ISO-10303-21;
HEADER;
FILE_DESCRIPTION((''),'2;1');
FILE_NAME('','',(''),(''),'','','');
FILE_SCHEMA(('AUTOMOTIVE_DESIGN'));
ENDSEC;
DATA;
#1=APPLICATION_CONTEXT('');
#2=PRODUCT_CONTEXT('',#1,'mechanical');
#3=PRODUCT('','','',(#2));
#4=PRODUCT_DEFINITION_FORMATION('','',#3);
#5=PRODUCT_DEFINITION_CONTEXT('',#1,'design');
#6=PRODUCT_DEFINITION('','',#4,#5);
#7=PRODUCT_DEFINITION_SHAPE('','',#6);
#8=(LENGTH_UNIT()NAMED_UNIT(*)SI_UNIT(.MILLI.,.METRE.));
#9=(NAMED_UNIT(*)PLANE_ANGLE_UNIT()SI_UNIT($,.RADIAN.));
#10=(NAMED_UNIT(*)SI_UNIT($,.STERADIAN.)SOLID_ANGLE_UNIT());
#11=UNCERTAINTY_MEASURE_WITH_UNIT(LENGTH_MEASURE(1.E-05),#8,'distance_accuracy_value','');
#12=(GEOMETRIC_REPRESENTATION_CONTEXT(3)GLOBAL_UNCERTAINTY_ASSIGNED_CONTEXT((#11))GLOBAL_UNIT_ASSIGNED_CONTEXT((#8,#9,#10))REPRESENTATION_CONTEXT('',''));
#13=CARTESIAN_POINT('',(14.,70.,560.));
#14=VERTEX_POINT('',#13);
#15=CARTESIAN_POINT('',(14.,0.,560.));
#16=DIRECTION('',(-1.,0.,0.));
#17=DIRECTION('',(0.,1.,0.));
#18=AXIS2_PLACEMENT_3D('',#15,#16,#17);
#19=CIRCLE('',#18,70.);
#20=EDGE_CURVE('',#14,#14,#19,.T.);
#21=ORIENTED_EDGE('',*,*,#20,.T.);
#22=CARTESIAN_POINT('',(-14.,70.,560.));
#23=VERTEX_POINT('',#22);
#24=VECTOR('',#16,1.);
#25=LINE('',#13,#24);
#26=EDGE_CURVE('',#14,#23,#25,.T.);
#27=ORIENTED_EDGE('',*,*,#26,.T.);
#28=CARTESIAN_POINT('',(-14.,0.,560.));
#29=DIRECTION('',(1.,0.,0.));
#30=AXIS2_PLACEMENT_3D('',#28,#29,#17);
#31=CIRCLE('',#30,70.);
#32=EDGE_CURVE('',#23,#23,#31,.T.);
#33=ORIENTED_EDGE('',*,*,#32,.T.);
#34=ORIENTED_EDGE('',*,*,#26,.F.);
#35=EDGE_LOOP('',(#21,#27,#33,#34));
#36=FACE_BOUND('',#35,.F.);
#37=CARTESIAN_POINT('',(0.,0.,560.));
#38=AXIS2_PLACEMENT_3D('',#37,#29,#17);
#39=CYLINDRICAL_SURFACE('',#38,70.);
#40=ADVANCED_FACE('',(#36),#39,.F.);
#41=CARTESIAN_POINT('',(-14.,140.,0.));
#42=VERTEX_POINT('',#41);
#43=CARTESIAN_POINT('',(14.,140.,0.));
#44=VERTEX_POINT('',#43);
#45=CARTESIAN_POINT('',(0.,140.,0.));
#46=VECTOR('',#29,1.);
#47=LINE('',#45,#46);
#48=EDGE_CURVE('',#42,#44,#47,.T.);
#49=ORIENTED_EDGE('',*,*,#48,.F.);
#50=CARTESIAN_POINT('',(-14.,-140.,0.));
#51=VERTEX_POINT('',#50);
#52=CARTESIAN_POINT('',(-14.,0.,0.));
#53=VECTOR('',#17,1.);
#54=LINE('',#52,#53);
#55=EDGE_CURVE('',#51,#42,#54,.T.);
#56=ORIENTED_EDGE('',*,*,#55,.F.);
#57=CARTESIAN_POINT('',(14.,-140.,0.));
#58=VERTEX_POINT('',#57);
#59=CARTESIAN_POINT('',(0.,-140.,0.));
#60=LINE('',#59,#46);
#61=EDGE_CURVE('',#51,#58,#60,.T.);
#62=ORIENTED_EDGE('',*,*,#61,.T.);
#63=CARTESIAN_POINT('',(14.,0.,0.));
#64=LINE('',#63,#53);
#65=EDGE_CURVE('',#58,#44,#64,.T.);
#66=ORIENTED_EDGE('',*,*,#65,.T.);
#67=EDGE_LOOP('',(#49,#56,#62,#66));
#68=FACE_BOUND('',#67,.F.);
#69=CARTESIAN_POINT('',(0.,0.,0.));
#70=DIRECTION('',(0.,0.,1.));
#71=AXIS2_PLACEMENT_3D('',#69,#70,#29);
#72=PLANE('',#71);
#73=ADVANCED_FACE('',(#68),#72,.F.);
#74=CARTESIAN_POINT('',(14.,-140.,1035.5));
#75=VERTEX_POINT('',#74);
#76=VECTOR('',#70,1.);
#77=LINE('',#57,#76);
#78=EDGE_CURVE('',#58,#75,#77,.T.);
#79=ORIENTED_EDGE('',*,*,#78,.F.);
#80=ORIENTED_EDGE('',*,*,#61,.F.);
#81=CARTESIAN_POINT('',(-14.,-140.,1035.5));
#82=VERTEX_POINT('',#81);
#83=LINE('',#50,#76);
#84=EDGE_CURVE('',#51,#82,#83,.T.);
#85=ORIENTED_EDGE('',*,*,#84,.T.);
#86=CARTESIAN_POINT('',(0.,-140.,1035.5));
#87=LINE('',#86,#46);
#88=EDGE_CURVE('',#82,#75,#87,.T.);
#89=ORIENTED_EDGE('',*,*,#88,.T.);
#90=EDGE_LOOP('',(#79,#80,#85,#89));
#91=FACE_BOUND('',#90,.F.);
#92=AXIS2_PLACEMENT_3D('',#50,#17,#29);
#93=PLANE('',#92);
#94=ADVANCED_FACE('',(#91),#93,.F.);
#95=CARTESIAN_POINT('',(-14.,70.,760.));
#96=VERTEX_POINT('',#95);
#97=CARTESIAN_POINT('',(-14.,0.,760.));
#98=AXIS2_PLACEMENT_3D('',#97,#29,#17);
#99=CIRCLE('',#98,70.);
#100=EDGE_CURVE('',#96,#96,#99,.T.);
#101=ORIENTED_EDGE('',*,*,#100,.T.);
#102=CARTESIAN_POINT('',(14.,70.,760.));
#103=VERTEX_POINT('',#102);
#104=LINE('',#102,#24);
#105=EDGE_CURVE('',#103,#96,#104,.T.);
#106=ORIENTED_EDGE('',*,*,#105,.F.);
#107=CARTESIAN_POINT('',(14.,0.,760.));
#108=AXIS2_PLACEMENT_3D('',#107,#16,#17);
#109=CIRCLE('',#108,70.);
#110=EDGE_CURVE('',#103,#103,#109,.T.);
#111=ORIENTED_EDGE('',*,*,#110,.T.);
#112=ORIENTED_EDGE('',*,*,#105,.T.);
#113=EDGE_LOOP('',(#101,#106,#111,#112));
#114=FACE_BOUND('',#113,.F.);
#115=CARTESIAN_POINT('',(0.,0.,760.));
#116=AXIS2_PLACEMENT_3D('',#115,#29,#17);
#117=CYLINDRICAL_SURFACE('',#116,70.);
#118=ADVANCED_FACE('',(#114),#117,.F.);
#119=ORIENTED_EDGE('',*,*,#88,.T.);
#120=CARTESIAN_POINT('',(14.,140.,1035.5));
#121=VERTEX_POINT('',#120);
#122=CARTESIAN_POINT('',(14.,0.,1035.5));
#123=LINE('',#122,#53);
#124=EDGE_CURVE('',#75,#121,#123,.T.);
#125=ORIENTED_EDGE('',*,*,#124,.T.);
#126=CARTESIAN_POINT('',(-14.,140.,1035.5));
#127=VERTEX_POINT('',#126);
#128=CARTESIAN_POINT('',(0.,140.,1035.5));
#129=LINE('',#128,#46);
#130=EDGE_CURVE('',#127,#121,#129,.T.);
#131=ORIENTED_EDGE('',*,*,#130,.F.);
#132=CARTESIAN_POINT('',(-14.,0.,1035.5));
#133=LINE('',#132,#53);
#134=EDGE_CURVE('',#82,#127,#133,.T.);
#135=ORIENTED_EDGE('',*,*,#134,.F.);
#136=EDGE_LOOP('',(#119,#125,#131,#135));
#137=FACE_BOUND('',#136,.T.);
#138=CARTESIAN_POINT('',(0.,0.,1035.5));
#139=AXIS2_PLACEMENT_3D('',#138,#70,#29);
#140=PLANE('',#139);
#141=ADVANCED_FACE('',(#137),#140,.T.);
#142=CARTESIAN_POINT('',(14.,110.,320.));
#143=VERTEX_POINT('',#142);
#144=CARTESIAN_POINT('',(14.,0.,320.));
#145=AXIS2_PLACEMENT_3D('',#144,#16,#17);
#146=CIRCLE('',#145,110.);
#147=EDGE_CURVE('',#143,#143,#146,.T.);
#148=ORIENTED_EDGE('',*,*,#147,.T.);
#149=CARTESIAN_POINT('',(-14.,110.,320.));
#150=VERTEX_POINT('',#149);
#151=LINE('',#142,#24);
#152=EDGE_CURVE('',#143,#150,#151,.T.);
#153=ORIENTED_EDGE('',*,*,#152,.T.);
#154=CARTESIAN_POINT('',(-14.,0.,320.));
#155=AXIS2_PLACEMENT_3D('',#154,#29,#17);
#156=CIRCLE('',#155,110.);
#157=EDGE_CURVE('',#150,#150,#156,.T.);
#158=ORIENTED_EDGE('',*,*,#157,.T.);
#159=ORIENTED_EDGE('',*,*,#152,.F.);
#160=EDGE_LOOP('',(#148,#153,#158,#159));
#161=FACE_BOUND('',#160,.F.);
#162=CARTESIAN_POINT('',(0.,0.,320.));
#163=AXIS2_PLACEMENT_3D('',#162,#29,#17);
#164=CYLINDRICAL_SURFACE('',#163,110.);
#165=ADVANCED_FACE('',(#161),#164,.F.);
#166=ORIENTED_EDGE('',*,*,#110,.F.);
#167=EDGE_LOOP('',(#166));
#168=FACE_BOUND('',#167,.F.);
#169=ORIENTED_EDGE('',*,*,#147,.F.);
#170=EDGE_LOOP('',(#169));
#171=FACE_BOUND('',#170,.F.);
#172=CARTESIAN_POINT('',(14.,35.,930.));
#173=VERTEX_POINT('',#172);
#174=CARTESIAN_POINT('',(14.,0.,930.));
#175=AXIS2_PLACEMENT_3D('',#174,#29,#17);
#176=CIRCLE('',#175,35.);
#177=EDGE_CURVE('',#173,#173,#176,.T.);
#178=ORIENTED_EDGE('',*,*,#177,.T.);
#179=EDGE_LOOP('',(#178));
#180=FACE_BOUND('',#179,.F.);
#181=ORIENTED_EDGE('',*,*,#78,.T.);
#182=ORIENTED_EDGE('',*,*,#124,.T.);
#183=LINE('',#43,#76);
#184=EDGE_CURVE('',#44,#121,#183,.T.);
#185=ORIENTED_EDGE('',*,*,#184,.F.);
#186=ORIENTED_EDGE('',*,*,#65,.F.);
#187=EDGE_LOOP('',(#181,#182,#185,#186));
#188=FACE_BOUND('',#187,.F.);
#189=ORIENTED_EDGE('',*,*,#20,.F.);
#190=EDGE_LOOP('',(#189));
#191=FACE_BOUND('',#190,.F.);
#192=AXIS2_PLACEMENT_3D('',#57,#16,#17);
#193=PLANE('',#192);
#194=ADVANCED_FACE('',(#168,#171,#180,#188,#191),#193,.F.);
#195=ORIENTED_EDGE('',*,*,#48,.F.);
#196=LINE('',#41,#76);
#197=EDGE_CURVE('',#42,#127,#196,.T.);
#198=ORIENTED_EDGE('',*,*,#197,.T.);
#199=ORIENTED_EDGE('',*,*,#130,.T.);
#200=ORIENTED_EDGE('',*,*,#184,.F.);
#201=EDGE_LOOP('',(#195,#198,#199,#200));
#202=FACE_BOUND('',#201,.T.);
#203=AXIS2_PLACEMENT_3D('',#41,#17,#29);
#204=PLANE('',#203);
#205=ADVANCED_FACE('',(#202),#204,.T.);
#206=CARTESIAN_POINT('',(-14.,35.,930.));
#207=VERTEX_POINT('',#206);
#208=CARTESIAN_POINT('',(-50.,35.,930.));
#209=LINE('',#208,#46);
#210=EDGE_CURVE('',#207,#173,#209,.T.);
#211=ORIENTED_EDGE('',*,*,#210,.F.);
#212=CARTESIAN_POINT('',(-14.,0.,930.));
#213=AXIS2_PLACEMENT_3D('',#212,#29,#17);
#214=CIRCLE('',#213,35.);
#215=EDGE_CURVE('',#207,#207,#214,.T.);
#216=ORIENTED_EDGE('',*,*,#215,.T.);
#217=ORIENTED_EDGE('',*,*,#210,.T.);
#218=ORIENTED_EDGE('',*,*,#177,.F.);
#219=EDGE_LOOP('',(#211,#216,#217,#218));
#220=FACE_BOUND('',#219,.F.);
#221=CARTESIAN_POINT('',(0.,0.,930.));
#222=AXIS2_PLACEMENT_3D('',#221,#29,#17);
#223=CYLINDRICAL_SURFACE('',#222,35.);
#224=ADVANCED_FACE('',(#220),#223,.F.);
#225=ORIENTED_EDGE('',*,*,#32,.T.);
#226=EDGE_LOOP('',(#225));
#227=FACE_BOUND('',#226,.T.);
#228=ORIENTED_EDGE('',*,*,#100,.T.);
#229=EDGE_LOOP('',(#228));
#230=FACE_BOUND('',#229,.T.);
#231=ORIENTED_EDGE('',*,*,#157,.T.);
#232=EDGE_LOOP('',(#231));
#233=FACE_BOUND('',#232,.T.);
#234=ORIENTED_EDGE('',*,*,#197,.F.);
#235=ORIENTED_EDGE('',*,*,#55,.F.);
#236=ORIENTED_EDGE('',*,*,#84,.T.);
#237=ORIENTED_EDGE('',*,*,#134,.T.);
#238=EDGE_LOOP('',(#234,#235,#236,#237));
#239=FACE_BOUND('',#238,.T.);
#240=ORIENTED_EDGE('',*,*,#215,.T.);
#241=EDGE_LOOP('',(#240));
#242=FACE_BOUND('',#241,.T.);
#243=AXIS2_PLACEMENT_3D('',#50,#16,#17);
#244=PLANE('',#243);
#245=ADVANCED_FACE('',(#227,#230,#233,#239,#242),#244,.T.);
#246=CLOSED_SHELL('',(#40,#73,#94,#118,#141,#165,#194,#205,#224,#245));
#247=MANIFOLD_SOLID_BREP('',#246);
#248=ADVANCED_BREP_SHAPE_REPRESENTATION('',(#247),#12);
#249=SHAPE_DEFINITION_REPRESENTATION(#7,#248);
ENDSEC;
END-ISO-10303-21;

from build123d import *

# Parameters (mm, degrees)
F0_W     = 28
F0_H     = 280
F1_DEPTH = 1035.5
F2_R     = 110
F2_R_2   = 70
F2_R_3   = 35
F3_DEPTH = 50


with BuildPart() as f1:
    # F0 (on Top) → F1 (new body)
    with BuildSketch(Plane.XY):
        Rectangle(F0_W, F0_H)
    extrude(amount=F1_DEPTH)

    # F2 (on Right) → F3 (cut, symmetric)
    with BuildSketch(Plane.YZ):
        with Locations((0, 320)):
            Circle(F2_R)
        with Locations((0, 560)):
            Circle(F2_R_2)
        with Locations((0, 760)):
            Circle(F2_R_2)
        with Locations((0, 930)):
            Circle(F2_R_3)
    extrude(amount=F3_DEPTH, both=True, mode=Mode.SUBTRACT)


solid = f1.part
